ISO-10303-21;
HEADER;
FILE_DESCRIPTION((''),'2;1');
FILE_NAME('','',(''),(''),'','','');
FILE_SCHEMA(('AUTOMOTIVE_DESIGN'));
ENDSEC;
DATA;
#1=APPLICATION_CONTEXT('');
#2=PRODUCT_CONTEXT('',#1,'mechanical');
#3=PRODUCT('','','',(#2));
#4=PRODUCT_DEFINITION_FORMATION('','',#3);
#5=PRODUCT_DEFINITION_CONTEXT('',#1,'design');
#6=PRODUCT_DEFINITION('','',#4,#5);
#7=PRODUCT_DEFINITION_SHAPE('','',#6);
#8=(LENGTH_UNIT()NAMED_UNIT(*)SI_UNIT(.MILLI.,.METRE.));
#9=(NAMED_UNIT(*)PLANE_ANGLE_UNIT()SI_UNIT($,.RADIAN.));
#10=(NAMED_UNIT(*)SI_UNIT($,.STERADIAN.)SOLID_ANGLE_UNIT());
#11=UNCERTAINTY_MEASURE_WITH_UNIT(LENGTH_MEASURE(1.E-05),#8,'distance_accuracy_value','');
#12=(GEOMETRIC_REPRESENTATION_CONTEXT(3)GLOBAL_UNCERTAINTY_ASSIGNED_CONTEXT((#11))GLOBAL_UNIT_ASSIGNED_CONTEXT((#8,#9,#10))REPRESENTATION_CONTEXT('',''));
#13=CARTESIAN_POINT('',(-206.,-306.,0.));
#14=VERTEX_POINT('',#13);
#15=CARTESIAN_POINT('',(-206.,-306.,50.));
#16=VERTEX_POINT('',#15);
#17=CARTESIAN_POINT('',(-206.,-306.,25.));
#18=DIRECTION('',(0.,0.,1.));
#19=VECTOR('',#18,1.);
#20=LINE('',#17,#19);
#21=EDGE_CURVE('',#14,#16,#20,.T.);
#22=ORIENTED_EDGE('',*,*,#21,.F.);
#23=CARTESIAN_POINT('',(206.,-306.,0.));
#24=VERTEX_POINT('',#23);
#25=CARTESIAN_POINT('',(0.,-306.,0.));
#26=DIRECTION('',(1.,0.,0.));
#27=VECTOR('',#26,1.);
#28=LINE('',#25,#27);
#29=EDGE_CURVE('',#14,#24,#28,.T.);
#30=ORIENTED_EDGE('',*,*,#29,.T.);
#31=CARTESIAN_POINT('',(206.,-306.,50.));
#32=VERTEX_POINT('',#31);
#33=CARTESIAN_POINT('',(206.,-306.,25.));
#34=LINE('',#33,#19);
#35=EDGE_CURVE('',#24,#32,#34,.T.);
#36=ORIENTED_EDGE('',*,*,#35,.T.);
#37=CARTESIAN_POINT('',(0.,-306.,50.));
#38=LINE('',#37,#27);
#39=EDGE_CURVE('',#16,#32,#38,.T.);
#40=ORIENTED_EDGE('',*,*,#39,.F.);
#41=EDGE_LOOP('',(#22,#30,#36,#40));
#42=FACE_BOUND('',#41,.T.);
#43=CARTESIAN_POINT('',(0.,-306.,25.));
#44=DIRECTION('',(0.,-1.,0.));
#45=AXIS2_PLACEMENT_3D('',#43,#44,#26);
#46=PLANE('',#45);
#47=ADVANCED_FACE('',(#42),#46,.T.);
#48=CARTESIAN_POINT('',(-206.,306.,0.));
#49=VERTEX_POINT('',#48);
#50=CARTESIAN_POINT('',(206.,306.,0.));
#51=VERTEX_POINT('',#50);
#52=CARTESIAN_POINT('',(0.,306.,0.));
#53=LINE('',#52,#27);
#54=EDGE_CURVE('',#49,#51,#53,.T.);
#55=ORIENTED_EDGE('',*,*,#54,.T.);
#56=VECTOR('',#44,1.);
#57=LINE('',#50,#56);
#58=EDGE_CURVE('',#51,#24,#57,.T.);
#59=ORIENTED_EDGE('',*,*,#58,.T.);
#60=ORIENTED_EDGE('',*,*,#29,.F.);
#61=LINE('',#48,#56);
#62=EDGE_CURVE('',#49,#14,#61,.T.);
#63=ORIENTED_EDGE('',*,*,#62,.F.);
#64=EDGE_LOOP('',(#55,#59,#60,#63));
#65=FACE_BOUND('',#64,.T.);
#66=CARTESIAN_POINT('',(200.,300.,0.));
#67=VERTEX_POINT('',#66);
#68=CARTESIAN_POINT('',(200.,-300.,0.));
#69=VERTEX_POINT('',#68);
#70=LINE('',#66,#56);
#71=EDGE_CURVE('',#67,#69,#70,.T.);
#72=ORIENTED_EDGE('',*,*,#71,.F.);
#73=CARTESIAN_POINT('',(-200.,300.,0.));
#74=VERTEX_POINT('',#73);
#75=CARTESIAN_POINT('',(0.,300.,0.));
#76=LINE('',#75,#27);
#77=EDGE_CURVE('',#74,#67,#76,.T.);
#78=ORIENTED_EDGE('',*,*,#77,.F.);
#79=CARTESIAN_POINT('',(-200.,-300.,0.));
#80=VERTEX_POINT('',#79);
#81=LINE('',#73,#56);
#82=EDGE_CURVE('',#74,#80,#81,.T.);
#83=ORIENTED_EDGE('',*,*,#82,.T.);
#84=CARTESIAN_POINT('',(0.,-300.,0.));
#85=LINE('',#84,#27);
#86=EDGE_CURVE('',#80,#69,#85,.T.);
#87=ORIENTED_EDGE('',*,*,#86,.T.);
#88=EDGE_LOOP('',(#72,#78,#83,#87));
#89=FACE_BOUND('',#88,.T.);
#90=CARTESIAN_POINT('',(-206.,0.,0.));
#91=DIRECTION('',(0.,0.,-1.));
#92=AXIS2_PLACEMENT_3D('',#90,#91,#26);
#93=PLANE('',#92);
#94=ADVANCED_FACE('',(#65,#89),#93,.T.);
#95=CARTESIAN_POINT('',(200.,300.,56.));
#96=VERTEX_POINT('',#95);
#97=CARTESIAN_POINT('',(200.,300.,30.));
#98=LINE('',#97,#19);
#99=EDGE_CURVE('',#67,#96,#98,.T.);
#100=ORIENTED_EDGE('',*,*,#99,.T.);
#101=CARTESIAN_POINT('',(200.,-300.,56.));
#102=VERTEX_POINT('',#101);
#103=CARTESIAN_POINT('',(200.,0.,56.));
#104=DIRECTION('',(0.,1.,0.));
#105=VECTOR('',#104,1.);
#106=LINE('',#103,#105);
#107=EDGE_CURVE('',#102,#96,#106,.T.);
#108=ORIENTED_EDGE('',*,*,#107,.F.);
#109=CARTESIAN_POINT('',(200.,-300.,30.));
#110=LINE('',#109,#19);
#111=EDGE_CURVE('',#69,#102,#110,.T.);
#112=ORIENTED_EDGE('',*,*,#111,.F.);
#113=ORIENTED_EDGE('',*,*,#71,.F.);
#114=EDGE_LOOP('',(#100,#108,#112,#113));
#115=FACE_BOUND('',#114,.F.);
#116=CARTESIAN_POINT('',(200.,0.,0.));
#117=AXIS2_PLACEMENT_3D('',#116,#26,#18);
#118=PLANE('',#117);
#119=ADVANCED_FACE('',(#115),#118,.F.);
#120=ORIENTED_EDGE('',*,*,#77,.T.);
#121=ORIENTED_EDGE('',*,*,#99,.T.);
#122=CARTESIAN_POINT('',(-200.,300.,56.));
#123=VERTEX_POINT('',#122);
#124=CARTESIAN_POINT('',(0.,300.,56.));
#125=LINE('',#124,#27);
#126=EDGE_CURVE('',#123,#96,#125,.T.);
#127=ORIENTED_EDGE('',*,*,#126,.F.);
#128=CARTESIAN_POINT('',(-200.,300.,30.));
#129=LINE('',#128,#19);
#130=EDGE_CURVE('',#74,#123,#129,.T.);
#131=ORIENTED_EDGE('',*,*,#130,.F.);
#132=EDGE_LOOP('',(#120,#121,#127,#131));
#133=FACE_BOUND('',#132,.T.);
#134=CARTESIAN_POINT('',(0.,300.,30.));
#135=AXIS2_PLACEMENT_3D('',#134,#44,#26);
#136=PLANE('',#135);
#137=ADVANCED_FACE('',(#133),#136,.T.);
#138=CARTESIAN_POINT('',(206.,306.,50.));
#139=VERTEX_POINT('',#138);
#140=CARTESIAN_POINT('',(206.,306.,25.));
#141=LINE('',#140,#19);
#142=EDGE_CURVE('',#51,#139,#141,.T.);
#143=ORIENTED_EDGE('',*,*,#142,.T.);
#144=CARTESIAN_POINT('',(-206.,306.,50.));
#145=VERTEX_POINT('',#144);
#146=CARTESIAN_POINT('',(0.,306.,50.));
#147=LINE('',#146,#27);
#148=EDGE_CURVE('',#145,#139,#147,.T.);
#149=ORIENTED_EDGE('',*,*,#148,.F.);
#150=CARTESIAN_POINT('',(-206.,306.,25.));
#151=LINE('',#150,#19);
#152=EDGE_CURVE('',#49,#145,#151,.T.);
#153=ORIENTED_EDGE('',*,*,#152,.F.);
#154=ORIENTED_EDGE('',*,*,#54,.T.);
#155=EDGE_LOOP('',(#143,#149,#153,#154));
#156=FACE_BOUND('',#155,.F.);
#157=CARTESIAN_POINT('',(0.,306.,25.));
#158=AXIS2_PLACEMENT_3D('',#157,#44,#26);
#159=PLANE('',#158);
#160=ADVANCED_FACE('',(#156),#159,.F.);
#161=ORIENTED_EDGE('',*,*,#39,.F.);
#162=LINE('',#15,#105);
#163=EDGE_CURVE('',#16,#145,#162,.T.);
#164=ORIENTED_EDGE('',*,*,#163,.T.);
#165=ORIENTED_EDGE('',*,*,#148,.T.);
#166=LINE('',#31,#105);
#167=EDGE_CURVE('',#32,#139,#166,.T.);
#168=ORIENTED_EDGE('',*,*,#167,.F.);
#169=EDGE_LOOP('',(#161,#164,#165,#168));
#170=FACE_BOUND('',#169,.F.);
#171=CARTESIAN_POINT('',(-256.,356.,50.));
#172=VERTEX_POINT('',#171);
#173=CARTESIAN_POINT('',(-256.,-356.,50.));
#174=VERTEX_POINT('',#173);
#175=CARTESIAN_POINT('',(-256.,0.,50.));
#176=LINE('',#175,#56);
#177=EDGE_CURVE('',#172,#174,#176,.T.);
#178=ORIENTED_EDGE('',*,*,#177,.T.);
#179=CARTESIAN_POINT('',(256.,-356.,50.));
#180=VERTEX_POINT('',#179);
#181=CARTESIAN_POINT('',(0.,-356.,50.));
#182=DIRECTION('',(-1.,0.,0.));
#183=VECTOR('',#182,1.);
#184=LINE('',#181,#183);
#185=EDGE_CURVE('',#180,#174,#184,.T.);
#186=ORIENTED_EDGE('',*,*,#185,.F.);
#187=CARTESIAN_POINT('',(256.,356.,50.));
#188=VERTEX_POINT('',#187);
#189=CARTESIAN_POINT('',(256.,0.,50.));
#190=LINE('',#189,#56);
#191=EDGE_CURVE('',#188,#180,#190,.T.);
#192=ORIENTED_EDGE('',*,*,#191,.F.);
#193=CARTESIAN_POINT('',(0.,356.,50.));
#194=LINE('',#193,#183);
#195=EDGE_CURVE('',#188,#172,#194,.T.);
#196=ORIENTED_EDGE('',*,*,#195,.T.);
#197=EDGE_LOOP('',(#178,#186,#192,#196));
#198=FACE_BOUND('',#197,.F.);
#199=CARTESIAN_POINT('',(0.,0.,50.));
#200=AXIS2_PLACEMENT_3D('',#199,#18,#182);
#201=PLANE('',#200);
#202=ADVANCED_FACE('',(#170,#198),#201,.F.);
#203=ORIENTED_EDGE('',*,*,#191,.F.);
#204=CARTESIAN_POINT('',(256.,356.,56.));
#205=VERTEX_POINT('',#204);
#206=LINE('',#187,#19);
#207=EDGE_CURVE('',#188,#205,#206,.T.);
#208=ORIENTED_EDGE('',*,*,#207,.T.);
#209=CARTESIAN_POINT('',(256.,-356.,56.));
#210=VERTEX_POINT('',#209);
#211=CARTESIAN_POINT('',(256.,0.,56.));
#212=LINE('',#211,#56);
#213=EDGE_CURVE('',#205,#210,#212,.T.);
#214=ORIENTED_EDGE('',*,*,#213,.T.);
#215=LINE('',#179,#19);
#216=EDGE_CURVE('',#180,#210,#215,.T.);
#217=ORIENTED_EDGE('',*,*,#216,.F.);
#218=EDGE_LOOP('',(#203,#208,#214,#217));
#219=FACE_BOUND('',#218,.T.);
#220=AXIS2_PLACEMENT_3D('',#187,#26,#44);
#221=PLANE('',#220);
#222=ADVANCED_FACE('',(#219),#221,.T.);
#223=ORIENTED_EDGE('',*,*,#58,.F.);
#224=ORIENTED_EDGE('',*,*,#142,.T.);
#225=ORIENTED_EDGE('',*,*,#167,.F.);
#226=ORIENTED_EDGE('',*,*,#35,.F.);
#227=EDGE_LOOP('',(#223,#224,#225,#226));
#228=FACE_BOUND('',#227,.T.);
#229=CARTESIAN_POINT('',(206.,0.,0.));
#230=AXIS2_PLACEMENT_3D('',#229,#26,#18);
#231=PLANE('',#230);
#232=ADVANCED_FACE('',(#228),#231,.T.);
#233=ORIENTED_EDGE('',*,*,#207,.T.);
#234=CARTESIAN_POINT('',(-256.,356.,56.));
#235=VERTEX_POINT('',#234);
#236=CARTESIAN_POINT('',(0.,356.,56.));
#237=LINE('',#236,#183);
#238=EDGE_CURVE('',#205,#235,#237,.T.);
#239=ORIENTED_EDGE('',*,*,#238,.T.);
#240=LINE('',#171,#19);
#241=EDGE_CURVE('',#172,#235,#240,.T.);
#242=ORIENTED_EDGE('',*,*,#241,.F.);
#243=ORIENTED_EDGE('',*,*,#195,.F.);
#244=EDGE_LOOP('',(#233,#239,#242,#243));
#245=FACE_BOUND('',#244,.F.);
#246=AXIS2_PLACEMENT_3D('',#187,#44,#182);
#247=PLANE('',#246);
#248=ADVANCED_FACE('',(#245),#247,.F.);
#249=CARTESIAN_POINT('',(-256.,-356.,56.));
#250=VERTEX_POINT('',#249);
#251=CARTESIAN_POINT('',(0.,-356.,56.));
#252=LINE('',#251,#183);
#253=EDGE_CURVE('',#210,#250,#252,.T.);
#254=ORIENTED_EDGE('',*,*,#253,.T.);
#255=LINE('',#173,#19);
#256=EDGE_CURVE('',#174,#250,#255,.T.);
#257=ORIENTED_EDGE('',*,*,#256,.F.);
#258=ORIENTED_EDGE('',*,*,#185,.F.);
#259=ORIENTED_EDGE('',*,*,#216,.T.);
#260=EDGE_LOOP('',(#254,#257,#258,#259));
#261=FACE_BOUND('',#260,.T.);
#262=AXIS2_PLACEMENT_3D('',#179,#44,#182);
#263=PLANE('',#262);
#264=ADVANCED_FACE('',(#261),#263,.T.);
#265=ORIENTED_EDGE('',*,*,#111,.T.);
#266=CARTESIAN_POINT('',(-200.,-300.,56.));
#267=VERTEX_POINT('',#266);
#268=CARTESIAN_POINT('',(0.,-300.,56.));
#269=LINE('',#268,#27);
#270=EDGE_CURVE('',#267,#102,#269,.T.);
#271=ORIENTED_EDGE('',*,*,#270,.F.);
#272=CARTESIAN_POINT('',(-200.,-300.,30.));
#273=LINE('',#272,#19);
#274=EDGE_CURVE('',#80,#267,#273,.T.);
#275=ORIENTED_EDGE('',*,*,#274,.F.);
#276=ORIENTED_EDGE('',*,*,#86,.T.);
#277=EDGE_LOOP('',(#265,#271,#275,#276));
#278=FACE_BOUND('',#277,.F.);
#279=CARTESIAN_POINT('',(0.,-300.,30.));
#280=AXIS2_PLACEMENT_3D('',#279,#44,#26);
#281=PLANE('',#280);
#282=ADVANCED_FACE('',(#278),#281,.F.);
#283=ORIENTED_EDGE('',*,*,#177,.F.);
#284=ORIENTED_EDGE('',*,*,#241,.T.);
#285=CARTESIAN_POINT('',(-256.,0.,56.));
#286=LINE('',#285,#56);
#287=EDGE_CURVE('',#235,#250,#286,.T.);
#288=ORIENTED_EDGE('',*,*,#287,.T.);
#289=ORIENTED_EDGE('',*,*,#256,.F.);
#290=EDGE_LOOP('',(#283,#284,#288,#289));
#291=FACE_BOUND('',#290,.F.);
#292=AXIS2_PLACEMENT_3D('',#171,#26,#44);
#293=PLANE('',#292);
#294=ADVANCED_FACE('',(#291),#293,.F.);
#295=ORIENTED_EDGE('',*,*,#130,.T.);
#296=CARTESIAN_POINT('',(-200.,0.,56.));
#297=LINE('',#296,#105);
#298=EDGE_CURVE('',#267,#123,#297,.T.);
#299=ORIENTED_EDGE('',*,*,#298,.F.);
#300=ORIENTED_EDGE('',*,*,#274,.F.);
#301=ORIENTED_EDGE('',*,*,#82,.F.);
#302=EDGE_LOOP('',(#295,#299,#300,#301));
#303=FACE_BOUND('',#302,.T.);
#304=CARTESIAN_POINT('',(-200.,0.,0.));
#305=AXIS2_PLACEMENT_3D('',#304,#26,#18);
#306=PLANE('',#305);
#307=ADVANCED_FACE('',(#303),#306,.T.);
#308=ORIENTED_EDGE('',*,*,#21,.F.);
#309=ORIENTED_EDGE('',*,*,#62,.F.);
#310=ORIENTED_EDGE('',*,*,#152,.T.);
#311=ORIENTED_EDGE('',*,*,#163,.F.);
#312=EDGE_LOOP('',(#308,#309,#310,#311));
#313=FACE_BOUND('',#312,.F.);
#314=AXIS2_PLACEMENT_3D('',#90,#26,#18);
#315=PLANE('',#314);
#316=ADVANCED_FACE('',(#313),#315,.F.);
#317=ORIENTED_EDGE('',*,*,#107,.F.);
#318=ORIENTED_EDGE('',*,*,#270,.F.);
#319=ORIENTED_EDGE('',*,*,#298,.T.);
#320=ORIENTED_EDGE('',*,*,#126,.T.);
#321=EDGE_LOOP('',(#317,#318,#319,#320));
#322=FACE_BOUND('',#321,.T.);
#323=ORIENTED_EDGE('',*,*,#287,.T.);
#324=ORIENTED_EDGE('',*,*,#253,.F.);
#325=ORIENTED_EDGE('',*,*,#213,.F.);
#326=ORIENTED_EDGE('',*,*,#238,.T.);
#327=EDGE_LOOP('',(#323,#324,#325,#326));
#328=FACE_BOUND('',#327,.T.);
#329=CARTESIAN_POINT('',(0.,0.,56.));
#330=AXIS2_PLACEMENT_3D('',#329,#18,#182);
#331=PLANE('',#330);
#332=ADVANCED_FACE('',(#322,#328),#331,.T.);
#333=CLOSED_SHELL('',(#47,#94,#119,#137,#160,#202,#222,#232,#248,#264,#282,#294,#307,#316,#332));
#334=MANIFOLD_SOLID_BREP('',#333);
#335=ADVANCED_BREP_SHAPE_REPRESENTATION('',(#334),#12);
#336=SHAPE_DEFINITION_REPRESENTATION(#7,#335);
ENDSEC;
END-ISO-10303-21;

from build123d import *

# Parameters (mm, degrees)
SKETCH049_W  = 400
SKETCH049_H  = 60
PAD_DEPTH    = 300
SKETCH050_W  = 412
SKETCH050_H  = 50
PAD001_DEPTH = 306
SKETCH051_W  = 512
SKETCH051_H  = 712
PAD002_DEPTH = 6


with BuildPart() as body:
    # Sketch049 → Pad (new body, symmetric)
    with BuildSketch(Plane.XZ):
        with Locations((0, 30)):
            Rectangle(SKETCH049_W, SKETCH049_H)
    extrude(amount=PAD_DEPTH, both=True)


with BuildPart() as cut006:
    # Sketch050 → Pad001 (new body, symmetric)
    with BuildSketch(Plane.XZ):
        with Locations((0, 25)):
            Rectangle(SKETCH050_W, SKETCH050_H)
    extrude(amount=PAD001_DEPTH, both=True)

    # Sketch051 (on Face3 of Pad001) → Pad002 (join)
    with BuildSketch(Plane(origin=(0, 0, 50), x_dir=(-1, 0, 0), z_dir=(0, 0, 1))):
        Rectangle(SKETCH051_W, SKETCH051_H)
    extrude(amount=PAD002_DEPTH)

    # Cut006: cut Body
    add(body.part, mode=Mode.SUBTRACT)


solid = cut006.part
